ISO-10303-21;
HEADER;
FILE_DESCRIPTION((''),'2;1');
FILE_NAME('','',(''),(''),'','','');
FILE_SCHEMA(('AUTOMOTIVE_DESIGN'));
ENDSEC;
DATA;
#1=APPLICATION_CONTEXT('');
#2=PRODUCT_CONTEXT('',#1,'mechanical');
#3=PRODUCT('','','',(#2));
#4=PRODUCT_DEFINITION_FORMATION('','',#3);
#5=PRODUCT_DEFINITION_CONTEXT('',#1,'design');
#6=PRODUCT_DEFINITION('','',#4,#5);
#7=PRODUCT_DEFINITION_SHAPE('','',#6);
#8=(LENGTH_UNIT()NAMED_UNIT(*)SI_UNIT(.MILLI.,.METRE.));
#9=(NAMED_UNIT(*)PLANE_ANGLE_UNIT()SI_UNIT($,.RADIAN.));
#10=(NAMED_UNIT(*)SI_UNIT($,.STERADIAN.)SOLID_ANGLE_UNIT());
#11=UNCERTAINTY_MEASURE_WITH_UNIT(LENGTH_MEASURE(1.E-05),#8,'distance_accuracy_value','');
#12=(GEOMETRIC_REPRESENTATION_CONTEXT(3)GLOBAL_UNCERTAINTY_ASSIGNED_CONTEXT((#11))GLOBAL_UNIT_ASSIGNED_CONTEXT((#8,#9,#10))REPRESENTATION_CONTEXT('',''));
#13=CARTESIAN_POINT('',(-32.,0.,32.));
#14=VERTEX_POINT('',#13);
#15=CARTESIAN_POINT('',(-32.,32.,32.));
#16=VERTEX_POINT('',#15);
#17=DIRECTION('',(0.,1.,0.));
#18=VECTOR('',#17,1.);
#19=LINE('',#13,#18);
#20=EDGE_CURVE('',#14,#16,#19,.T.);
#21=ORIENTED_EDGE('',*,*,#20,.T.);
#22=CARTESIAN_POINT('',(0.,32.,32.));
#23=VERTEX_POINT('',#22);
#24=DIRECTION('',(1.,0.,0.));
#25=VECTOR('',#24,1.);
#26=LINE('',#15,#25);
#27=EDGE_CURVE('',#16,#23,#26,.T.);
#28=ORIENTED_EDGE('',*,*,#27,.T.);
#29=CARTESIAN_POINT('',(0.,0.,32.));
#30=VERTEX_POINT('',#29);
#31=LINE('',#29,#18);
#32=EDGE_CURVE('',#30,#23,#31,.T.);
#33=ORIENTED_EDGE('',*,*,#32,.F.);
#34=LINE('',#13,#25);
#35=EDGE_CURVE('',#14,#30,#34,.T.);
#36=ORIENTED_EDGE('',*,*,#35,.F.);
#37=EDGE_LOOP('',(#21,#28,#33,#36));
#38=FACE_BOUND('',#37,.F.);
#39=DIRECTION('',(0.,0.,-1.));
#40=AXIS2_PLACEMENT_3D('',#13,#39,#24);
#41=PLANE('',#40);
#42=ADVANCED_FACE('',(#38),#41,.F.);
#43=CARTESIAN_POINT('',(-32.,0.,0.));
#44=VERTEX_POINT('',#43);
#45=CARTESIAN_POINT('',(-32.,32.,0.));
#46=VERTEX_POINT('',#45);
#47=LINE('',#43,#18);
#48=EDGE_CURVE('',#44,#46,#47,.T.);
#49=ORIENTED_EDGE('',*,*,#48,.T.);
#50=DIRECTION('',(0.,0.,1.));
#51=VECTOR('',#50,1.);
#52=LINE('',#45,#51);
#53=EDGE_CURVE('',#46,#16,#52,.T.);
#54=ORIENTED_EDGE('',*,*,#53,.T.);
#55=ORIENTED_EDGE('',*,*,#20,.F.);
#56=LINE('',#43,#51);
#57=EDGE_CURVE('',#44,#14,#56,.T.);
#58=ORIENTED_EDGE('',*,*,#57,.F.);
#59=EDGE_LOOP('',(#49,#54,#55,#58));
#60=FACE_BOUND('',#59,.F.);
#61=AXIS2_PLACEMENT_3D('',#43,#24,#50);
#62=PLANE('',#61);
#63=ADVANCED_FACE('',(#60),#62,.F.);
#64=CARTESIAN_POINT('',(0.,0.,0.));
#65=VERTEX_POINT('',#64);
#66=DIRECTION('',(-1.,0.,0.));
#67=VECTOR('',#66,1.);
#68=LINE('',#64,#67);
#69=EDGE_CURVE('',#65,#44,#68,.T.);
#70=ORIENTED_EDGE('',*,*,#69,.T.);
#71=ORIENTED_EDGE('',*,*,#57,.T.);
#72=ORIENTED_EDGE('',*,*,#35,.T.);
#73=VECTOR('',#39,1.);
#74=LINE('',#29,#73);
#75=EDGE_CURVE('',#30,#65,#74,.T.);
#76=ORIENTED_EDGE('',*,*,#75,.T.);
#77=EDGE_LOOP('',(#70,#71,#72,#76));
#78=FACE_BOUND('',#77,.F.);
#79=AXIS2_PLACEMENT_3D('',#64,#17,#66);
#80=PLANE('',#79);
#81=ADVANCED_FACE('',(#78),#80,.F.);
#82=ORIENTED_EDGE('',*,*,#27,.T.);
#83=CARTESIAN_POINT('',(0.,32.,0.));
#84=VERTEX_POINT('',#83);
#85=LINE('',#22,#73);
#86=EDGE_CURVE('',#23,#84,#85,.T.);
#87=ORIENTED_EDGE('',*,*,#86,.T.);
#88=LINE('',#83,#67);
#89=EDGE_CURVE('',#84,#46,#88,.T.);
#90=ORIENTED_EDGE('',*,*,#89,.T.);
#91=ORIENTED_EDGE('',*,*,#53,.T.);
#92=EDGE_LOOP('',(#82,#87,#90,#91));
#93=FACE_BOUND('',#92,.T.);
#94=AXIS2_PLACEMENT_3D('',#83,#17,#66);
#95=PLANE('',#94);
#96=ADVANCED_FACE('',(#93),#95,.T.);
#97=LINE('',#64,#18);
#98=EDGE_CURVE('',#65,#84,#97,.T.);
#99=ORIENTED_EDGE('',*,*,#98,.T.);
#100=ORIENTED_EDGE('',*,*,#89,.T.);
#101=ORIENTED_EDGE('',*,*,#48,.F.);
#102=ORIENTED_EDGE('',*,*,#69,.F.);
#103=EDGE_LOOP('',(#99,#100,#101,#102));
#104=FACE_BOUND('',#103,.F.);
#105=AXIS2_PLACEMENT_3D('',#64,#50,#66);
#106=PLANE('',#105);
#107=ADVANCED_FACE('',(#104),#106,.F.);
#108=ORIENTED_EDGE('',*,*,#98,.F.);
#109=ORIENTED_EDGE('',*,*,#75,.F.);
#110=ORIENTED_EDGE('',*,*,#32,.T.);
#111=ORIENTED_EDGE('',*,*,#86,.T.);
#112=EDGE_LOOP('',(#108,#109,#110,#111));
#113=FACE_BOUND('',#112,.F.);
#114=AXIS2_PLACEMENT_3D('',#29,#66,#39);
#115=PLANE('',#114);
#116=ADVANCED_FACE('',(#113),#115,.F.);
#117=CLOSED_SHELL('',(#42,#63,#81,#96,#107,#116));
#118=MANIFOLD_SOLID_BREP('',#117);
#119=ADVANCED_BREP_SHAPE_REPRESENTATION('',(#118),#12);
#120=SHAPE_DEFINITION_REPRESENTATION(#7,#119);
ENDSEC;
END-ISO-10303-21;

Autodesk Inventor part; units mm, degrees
ref_plane "YZ Plane" through (0, 0, 0) normal (1, 0, 0) x (0, 1, 0)
ref_plane "XZ Plane" through (0, 0, 0) normal (0, 1, 0) x (-1, 0, 0)
ref_plane "XY Plane" through (0, 0, 0) normal (0, 0, 1) x (1, 0, 0)
sketch "Skizze1" plane through (0, 0, 0) normal (0, 1, 0) x (-1, 0, 0)
  line L0 (32, 32) -> (0, 32)
  line L1 (0, 32) -> (0, 0)
  line L2 (0, 0) -> (32, 0)
  line L3 (32, 0) -> (32, 32)
  dimension "d0" = 32
  dimension "d1" = 32
extrude "Extrusion1" add sketch "Skizze1" along normal blind 32
properties part number "Belastungsfläche" material "Aluminium 6061"
